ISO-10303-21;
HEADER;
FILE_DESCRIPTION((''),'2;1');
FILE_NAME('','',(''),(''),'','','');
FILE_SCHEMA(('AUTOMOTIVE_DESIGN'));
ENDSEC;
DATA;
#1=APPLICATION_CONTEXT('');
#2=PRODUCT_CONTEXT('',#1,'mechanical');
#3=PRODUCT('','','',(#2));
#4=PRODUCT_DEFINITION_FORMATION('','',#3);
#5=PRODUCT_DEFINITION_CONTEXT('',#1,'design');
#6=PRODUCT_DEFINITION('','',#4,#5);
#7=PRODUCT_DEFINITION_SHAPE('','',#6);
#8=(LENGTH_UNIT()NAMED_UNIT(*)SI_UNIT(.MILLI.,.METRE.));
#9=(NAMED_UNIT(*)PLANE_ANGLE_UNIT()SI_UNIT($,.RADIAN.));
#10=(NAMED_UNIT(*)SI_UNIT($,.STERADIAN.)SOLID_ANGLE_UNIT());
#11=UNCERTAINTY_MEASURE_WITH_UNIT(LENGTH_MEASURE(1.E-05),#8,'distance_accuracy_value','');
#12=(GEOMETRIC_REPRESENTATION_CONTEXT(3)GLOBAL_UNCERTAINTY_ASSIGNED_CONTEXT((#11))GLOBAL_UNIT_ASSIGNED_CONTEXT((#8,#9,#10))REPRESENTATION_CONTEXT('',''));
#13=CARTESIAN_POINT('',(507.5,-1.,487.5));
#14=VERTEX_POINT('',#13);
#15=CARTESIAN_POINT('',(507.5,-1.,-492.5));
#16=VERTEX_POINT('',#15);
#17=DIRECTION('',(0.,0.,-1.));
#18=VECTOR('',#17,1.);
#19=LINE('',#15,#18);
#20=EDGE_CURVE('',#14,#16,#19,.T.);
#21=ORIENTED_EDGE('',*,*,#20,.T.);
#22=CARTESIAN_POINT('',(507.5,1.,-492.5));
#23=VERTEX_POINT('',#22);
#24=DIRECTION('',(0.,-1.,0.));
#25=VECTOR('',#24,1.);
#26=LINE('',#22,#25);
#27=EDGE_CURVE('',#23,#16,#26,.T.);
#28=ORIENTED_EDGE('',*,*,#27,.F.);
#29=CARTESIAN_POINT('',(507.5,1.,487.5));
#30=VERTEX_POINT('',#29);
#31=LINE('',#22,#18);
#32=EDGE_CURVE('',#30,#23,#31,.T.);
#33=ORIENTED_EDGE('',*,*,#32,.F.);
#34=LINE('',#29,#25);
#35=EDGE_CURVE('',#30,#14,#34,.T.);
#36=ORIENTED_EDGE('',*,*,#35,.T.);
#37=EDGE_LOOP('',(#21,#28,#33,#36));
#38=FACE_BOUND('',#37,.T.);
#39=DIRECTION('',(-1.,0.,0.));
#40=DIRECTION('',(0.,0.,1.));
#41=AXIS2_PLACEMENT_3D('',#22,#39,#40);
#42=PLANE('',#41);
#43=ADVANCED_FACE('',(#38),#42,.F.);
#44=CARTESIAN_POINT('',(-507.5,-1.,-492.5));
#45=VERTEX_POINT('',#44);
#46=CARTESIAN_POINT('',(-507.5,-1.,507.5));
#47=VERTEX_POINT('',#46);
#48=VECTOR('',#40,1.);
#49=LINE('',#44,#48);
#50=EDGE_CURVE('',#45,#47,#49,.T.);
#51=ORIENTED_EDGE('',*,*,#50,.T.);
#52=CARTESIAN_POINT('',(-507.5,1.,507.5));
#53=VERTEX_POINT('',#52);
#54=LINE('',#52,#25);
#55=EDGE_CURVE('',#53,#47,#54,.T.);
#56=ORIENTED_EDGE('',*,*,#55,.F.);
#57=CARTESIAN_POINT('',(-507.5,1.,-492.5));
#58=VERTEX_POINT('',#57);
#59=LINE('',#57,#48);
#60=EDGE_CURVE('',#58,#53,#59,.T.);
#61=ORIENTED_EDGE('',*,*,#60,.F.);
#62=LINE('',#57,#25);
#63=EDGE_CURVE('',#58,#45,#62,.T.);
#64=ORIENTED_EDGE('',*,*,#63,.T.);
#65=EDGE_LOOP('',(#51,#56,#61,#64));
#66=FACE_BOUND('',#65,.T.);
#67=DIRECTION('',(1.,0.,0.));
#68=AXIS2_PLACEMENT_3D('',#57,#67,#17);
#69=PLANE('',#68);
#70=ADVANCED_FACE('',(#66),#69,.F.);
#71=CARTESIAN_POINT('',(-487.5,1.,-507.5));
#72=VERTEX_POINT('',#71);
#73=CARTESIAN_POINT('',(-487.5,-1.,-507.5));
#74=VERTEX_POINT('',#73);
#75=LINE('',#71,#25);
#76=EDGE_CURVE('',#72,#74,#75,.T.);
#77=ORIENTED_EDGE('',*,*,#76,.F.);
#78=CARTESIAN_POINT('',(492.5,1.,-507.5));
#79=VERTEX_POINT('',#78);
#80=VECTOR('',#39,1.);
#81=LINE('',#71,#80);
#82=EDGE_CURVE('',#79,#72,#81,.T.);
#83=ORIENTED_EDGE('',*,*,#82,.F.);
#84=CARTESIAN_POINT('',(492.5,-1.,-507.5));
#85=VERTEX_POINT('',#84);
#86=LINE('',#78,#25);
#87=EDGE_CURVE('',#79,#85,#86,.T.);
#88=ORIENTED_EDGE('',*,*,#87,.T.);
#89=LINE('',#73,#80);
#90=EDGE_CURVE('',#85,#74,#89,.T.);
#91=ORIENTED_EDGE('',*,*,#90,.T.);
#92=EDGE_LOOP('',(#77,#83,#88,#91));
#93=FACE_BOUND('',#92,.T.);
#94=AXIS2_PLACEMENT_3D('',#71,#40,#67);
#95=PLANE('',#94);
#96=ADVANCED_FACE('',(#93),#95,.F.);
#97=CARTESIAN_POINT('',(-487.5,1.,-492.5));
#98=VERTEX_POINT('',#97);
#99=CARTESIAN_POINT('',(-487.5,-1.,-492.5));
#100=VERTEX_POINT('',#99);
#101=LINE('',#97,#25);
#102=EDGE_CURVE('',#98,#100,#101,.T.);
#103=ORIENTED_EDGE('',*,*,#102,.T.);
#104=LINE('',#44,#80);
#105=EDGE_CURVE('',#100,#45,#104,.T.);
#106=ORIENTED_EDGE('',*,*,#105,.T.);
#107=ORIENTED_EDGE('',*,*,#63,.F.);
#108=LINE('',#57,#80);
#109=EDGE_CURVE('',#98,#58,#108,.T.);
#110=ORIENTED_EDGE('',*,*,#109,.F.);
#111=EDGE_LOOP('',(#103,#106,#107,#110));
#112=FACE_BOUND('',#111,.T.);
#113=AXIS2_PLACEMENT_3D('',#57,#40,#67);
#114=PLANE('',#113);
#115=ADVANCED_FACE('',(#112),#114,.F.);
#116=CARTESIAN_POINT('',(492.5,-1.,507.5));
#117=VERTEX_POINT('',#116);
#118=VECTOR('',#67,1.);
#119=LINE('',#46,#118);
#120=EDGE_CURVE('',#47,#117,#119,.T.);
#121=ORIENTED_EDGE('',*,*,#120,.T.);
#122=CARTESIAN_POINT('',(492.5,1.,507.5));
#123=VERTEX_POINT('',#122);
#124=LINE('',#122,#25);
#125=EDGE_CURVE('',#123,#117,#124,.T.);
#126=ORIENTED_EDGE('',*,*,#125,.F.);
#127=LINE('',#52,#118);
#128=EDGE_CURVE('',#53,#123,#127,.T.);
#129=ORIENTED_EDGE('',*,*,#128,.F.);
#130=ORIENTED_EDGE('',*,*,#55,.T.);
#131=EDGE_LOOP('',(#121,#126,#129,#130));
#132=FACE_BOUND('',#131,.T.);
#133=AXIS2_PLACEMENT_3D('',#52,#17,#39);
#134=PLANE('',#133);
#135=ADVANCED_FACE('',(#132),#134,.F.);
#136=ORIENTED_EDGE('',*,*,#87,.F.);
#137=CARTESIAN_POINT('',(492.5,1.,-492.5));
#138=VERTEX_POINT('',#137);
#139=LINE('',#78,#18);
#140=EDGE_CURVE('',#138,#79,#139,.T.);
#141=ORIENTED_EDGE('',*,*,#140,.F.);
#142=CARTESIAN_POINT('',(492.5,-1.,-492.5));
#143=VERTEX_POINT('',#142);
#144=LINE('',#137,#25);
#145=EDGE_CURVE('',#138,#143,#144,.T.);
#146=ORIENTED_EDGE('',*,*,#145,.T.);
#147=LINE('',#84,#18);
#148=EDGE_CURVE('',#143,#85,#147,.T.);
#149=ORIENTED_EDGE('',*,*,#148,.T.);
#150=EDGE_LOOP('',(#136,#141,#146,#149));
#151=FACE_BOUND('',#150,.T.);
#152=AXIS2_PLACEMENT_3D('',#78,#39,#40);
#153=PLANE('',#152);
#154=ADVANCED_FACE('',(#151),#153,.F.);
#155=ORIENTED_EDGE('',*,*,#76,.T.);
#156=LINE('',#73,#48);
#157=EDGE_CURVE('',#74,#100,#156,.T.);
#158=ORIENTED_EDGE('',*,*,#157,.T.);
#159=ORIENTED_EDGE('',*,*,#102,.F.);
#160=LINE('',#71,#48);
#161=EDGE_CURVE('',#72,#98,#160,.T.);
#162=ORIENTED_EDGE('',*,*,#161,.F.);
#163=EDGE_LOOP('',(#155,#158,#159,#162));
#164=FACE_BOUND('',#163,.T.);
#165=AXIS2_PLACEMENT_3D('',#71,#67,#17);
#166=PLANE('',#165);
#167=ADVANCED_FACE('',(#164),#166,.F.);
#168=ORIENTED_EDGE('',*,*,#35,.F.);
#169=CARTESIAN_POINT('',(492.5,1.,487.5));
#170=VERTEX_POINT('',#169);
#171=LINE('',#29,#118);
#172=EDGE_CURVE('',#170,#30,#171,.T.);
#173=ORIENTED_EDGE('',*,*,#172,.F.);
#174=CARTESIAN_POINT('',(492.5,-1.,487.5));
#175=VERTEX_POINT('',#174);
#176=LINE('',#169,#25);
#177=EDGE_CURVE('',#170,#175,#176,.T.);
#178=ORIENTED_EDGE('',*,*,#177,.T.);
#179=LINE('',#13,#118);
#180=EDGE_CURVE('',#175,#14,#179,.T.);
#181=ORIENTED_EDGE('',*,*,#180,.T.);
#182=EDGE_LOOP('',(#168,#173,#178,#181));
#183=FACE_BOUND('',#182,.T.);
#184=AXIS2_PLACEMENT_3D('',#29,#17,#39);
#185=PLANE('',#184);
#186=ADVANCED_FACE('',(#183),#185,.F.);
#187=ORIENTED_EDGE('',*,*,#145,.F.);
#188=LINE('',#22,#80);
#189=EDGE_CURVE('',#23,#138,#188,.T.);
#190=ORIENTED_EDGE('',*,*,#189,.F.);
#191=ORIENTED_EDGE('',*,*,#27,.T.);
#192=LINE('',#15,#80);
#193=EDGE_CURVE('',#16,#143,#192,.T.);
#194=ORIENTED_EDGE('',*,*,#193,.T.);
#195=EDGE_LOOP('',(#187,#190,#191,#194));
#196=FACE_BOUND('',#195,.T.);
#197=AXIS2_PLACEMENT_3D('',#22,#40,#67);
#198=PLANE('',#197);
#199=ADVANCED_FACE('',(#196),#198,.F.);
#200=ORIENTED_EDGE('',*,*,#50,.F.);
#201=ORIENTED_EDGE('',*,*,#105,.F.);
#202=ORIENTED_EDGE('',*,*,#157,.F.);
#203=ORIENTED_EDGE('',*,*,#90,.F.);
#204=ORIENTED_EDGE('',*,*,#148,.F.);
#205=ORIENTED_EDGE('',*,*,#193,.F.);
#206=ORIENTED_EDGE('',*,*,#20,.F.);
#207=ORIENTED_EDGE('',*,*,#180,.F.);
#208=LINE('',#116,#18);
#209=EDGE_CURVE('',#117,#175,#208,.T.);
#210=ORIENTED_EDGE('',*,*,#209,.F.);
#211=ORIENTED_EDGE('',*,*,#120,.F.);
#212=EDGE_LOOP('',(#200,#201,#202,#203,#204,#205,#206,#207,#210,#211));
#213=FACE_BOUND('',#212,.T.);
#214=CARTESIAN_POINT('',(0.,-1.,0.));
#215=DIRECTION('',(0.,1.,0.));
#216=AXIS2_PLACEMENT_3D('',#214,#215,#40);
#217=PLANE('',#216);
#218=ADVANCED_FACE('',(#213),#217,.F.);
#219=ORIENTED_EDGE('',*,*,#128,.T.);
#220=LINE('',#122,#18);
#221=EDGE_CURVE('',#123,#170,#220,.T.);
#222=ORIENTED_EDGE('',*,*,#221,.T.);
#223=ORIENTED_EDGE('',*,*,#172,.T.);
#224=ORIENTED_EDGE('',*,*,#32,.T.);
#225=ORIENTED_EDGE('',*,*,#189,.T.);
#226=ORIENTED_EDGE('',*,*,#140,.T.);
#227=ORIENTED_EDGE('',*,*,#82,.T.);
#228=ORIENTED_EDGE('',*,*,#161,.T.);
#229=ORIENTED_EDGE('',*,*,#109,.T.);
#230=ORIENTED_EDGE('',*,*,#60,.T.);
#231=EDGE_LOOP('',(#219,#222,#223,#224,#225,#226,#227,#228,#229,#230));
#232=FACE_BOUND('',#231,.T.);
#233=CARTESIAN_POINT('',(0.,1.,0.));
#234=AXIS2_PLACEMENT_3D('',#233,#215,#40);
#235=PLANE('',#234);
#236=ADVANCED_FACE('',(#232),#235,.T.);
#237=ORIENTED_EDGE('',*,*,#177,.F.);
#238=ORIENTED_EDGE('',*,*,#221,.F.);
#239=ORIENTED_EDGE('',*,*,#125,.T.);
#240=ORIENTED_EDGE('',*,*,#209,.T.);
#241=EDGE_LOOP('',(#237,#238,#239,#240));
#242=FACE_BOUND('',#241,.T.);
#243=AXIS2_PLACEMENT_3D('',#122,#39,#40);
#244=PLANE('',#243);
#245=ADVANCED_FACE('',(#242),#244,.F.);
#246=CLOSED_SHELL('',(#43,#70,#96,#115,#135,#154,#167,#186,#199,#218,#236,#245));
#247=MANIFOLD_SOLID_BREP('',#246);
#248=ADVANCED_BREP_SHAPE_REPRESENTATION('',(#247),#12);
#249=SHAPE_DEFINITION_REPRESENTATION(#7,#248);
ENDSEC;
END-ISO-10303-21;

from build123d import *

# Parameters (mm, degrees)
RESSALTO_EXTRUS_O1_DEPTH = 1


with BuildPart() as part:
    # Esboço1 → Ressalto-extrusão1 (new body, symmetric)
    with BuildSketch(Plane(origin=(0, 0, 0), x_dir=(1, 0, 0), z_dir=(0, 1, 0))):
        Polygon((-487.5, 507.5), (492.5, 507.5), (492.5, 492.5), (507.5, 492.5), (507.5, -487.5), (492.5, -487.5), (492.5, -507.5), (-507.5, -507.5), (-507.5, 492.5), (-487.5, 492.5), align=None)
    extrude(amount=RESSALTO_EXTRUS_O1_DEPTH, both=True)


solid = part.part
